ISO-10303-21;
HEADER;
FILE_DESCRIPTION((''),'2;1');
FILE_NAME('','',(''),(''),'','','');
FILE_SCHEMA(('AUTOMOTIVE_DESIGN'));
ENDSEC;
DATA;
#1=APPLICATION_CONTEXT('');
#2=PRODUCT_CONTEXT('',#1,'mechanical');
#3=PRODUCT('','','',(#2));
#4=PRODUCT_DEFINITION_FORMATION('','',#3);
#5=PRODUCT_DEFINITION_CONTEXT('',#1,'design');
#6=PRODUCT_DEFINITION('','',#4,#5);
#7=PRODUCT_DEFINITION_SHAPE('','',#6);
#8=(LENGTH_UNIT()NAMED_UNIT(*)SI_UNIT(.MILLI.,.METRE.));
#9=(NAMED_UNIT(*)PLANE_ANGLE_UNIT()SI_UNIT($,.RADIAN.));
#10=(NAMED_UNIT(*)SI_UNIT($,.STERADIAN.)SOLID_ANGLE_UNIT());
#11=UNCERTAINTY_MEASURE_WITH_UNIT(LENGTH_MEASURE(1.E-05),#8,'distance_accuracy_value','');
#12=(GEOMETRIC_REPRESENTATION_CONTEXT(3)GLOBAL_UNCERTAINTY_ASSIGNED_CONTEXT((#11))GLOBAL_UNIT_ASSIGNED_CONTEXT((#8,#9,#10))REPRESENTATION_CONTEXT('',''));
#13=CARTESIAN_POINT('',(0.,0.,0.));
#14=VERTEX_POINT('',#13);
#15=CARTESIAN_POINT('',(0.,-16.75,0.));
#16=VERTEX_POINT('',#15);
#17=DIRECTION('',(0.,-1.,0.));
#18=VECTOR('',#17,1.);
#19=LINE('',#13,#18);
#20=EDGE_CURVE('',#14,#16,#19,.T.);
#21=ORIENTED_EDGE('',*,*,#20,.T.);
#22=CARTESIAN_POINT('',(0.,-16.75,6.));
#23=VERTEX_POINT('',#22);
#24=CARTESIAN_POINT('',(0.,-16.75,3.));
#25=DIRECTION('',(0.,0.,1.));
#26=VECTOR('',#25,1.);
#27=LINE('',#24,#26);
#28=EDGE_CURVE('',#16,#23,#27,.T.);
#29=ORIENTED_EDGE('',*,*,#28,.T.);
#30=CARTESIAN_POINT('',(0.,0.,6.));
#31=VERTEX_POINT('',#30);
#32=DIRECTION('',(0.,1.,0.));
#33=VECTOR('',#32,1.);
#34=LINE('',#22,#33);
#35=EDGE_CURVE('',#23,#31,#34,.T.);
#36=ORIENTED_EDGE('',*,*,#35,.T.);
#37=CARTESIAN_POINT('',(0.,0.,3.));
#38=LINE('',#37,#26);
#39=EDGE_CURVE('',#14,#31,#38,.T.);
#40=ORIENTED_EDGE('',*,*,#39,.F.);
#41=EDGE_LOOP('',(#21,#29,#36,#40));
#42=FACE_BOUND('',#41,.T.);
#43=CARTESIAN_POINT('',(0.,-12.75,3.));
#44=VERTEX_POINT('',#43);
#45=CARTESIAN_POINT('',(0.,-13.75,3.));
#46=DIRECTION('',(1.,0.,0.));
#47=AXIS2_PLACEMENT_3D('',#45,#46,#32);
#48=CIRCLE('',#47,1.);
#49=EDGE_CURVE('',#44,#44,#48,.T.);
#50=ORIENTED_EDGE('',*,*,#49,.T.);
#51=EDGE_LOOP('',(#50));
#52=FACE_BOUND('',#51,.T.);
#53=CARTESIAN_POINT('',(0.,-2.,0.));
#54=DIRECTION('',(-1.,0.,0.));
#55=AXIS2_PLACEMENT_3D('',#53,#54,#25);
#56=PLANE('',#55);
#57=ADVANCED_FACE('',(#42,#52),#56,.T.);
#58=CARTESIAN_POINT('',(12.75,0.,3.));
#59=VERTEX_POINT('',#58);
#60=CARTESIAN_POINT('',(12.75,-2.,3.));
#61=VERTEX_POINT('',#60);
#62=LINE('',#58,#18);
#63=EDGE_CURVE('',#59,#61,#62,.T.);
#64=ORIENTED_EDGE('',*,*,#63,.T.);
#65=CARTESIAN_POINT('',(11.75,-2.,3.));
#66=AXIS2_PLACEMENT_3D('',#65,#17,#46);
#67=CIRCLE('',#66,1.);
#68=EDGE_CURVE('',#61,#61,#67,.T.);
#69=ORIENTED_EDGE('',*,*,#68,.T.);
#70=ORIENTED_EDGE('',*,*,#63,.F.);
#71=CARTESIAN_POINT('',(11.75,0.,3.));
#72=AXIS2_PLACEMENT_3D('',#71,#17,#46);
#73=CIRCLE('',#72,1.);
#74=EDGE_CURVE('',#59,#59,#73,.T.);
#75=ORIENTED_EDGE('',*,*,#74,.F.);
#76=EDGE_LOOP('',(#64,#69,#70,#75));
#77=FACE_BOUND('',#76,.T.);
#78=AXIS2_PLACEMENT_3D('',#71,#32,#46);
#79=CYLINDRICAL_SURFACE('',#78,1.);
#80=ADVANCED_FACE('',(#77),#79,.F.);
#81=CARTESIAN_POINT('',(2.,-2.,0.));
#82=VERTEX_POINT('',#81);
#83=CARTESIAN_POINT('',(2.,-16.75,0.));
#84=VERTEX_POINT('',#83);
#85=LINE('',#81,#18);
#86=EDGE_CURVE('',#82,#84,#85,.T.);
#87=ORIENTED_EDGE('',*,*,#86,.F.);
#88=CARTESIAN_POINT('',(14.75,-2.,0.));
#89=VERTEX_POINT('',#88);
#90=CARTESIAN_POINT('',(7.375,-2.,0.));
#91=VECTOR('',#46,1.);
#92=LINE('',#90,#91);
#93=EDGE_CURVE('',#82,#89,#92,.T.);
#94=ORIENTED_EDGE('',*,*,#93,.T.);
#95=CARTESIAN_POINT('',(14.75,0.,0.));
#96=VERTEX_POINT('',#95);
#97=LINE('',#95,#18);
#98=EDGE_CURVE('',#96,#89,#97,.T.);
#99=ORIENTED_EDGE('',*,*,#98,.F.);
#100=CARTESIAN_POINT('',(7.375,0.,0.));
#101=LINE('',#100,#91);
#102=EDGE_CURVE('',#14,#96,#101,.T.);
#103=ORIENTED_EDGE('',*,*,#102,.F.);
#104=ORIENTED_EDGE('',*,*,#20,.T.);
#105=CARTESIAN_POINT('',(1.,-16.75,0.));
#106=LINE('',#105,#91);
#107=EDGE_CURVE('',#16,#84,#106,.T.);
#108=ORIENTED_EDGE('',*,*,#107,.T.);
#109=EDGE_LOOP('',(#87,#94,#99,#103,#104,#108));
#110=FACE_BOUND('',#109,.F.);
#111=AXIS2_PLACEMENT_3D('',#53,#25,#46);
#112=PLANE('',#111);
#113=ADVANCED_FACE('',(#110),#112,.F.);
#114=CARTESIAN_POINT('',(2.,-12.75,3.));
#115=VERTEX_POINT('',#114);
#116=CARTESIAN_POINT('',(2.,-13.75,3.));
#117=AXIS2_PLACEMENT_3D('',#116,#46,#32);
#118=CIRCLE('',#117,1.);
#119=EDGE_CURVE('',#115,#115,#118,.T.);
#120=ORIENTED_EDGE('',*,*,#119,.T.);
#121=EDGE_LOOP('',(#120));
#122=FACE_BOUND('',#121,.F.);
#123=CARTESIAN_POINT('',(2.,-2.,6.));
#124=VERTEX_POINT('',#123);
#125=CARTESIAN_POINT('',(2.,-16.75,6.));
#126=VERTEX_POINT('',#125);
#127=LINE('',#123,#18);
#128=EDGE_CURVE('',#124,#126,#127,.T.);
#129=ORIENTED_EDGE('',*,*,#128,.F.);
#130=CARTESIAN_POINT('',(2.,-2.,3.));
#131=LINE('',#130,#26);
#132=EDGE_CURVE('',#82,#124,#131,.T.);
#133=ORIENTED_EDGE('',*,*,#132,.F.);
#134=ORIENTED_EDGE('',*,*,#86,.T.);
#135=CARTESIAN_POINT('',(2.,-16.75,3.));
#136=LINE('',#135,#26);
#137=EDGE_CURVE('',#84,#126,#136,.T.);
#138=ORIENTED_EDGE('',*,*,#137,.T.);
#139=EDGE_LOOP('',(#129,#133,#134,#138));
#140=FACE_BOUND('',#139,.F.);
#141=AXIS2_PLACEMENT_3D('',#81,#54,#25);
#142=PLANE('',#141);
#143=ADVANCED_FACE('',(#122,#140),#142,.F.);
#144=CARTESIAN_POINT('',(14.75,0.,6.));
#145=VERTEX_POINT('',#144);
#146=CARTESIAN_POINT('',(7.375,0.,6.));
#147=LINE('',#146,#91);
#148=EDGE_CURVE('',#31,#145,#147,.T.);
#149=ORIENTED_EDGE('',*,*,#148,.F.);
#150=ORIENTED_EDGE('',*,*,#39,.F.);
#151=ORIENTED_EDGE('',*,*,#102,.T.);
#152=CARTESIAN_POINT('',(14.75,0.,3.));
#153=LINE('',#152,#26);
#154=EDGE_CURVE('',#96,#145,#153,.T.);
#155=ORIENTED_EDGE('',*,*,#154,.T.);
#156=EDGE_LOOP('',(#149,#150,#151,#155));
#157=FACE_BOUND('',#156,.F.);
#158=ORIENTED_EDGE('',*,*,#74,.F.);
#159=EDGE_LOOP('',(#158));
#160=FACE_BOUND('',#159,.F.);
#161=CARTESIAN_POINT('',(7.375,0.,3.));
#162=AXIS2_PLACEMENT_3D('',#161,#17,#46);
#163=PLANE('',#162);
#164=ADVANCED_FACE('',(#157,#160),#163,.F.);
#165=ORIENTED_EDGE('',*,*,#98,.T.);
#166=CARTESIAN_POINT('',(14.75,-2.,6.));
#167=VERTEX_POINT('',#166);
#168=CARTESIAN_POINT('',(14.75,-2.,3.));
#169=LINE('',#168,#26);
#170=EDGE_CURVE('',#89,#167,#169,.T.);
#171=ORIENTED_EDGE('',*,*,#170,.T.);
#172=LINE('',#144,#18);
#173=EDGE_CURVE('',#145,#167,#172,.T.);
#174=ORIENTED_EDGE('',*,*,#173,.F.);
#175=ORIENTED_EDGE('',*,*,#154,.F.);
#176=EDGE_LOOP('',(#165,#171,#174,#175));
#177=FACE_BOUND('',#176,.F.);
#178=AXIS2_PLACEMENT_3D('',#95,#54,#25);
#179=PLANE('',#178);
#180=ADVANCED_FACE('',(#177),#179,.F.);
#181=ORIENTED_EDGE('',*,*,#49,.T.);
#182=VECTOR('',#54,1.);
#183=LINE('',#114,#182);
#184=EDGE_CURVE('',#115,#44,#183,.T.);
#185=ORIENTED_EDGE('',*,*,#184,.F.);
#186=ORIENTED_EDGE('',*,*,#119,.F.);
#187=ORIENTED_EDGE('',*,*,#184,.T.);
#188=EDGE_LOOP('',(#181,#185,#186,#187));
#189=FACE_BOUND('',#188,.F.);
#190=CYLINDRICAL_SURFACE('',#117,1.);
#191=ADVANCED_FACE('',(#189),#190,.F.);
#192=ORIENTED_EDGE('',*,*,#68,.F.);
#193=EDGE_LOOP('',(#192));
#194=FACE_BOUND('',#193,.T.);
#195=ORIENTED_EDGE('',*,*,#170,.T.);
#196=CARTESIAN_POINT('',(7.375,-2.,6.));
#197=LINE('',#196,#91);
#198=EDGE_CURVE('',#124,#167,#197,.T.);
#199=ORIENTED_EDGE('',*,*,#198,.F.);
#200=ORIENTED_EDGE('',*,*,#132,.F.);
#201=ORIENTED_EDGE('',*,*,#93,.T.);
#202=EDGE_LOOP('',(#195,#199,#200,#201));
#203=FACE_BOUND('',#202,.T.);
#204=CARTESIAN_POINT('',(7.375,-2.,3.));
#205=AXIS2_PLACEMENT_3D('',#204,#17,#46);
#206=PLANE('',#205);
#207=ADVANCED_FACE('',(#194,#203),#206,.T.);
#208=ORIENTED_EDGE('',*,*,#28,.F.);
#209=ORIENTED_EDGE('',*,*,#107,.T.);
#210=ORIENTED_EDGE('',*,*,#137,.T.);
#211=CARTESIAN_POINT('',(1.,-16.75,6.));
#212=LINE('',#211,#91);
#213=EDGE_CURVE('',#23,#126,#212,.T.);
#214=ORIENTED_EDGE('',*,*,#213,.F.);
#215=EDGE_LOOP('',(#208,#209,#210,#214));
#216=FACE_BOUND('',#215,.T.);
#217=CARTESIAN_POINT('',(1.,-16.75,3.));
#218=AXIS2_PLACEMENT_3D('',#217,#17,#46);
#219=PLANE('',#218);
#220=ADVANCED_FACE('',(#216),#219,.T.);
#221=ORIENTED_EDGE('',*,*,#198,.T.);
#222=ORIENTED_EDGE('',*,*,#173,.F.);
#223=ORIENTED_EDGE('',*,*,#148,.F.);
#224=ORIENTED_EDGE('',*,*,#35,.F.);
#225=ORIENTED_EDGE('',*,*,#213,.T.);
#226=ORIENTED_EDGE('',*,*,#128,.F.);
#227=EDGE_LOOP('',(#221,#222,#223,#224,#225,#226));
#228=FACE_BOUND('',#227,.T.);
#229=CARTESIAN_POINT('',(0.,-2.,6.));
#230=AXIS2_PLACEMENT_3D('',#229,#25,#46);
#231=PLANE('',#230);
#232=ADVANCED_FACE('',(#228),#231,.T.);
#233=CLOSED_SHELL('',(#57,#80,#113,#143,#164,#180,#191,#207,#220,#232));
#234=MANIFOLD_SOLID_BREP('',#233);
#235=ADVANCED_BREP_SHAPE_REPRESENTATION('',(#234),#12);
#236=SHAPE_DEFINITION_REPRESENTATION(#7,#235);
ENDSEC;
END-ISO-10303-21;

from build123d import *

# Parameters (mm, degrees)
F0_W     = 14.75
F0_H     = 6
F0_R     = 1
F1_DEPTH = 2
F2_W     = 2
F2_H     = 6
F3_DEPTH = 14.75
F4_R     = 1
F5_DEPTH = 25


with BuildPart() as f1:
    # F0 (on Front) → F1 (new body)
    with BuildSketch(Plane.XZ):
        with Locations((7.375, 3)):
            Rectangle(F0_W, F0_H)
        with Locations((11.75, 3)):
            Circle(F0_R, mode=Mode.SUBTRACT)
    extrude(amount=F1_DEPTH)

    # F2 (on face) → F3 (join)
    with BuildSketch(Plane.XZ.offset(2)):
        with Locations((1, 3)):
            Rectangle(F2_W, F2_H)
    extrude(amount=F3_DEPTH)

    # F4 (on face) → F5 (cut)
    with BuildSketch(Plane.YZ.offset(2)):
        with Locations((-13.75, 3)):
            Circle(F4_R)
    extrude(amount=-F5_DEPTH, mode=Mode.SUBTRACT)


solid = f1.part
